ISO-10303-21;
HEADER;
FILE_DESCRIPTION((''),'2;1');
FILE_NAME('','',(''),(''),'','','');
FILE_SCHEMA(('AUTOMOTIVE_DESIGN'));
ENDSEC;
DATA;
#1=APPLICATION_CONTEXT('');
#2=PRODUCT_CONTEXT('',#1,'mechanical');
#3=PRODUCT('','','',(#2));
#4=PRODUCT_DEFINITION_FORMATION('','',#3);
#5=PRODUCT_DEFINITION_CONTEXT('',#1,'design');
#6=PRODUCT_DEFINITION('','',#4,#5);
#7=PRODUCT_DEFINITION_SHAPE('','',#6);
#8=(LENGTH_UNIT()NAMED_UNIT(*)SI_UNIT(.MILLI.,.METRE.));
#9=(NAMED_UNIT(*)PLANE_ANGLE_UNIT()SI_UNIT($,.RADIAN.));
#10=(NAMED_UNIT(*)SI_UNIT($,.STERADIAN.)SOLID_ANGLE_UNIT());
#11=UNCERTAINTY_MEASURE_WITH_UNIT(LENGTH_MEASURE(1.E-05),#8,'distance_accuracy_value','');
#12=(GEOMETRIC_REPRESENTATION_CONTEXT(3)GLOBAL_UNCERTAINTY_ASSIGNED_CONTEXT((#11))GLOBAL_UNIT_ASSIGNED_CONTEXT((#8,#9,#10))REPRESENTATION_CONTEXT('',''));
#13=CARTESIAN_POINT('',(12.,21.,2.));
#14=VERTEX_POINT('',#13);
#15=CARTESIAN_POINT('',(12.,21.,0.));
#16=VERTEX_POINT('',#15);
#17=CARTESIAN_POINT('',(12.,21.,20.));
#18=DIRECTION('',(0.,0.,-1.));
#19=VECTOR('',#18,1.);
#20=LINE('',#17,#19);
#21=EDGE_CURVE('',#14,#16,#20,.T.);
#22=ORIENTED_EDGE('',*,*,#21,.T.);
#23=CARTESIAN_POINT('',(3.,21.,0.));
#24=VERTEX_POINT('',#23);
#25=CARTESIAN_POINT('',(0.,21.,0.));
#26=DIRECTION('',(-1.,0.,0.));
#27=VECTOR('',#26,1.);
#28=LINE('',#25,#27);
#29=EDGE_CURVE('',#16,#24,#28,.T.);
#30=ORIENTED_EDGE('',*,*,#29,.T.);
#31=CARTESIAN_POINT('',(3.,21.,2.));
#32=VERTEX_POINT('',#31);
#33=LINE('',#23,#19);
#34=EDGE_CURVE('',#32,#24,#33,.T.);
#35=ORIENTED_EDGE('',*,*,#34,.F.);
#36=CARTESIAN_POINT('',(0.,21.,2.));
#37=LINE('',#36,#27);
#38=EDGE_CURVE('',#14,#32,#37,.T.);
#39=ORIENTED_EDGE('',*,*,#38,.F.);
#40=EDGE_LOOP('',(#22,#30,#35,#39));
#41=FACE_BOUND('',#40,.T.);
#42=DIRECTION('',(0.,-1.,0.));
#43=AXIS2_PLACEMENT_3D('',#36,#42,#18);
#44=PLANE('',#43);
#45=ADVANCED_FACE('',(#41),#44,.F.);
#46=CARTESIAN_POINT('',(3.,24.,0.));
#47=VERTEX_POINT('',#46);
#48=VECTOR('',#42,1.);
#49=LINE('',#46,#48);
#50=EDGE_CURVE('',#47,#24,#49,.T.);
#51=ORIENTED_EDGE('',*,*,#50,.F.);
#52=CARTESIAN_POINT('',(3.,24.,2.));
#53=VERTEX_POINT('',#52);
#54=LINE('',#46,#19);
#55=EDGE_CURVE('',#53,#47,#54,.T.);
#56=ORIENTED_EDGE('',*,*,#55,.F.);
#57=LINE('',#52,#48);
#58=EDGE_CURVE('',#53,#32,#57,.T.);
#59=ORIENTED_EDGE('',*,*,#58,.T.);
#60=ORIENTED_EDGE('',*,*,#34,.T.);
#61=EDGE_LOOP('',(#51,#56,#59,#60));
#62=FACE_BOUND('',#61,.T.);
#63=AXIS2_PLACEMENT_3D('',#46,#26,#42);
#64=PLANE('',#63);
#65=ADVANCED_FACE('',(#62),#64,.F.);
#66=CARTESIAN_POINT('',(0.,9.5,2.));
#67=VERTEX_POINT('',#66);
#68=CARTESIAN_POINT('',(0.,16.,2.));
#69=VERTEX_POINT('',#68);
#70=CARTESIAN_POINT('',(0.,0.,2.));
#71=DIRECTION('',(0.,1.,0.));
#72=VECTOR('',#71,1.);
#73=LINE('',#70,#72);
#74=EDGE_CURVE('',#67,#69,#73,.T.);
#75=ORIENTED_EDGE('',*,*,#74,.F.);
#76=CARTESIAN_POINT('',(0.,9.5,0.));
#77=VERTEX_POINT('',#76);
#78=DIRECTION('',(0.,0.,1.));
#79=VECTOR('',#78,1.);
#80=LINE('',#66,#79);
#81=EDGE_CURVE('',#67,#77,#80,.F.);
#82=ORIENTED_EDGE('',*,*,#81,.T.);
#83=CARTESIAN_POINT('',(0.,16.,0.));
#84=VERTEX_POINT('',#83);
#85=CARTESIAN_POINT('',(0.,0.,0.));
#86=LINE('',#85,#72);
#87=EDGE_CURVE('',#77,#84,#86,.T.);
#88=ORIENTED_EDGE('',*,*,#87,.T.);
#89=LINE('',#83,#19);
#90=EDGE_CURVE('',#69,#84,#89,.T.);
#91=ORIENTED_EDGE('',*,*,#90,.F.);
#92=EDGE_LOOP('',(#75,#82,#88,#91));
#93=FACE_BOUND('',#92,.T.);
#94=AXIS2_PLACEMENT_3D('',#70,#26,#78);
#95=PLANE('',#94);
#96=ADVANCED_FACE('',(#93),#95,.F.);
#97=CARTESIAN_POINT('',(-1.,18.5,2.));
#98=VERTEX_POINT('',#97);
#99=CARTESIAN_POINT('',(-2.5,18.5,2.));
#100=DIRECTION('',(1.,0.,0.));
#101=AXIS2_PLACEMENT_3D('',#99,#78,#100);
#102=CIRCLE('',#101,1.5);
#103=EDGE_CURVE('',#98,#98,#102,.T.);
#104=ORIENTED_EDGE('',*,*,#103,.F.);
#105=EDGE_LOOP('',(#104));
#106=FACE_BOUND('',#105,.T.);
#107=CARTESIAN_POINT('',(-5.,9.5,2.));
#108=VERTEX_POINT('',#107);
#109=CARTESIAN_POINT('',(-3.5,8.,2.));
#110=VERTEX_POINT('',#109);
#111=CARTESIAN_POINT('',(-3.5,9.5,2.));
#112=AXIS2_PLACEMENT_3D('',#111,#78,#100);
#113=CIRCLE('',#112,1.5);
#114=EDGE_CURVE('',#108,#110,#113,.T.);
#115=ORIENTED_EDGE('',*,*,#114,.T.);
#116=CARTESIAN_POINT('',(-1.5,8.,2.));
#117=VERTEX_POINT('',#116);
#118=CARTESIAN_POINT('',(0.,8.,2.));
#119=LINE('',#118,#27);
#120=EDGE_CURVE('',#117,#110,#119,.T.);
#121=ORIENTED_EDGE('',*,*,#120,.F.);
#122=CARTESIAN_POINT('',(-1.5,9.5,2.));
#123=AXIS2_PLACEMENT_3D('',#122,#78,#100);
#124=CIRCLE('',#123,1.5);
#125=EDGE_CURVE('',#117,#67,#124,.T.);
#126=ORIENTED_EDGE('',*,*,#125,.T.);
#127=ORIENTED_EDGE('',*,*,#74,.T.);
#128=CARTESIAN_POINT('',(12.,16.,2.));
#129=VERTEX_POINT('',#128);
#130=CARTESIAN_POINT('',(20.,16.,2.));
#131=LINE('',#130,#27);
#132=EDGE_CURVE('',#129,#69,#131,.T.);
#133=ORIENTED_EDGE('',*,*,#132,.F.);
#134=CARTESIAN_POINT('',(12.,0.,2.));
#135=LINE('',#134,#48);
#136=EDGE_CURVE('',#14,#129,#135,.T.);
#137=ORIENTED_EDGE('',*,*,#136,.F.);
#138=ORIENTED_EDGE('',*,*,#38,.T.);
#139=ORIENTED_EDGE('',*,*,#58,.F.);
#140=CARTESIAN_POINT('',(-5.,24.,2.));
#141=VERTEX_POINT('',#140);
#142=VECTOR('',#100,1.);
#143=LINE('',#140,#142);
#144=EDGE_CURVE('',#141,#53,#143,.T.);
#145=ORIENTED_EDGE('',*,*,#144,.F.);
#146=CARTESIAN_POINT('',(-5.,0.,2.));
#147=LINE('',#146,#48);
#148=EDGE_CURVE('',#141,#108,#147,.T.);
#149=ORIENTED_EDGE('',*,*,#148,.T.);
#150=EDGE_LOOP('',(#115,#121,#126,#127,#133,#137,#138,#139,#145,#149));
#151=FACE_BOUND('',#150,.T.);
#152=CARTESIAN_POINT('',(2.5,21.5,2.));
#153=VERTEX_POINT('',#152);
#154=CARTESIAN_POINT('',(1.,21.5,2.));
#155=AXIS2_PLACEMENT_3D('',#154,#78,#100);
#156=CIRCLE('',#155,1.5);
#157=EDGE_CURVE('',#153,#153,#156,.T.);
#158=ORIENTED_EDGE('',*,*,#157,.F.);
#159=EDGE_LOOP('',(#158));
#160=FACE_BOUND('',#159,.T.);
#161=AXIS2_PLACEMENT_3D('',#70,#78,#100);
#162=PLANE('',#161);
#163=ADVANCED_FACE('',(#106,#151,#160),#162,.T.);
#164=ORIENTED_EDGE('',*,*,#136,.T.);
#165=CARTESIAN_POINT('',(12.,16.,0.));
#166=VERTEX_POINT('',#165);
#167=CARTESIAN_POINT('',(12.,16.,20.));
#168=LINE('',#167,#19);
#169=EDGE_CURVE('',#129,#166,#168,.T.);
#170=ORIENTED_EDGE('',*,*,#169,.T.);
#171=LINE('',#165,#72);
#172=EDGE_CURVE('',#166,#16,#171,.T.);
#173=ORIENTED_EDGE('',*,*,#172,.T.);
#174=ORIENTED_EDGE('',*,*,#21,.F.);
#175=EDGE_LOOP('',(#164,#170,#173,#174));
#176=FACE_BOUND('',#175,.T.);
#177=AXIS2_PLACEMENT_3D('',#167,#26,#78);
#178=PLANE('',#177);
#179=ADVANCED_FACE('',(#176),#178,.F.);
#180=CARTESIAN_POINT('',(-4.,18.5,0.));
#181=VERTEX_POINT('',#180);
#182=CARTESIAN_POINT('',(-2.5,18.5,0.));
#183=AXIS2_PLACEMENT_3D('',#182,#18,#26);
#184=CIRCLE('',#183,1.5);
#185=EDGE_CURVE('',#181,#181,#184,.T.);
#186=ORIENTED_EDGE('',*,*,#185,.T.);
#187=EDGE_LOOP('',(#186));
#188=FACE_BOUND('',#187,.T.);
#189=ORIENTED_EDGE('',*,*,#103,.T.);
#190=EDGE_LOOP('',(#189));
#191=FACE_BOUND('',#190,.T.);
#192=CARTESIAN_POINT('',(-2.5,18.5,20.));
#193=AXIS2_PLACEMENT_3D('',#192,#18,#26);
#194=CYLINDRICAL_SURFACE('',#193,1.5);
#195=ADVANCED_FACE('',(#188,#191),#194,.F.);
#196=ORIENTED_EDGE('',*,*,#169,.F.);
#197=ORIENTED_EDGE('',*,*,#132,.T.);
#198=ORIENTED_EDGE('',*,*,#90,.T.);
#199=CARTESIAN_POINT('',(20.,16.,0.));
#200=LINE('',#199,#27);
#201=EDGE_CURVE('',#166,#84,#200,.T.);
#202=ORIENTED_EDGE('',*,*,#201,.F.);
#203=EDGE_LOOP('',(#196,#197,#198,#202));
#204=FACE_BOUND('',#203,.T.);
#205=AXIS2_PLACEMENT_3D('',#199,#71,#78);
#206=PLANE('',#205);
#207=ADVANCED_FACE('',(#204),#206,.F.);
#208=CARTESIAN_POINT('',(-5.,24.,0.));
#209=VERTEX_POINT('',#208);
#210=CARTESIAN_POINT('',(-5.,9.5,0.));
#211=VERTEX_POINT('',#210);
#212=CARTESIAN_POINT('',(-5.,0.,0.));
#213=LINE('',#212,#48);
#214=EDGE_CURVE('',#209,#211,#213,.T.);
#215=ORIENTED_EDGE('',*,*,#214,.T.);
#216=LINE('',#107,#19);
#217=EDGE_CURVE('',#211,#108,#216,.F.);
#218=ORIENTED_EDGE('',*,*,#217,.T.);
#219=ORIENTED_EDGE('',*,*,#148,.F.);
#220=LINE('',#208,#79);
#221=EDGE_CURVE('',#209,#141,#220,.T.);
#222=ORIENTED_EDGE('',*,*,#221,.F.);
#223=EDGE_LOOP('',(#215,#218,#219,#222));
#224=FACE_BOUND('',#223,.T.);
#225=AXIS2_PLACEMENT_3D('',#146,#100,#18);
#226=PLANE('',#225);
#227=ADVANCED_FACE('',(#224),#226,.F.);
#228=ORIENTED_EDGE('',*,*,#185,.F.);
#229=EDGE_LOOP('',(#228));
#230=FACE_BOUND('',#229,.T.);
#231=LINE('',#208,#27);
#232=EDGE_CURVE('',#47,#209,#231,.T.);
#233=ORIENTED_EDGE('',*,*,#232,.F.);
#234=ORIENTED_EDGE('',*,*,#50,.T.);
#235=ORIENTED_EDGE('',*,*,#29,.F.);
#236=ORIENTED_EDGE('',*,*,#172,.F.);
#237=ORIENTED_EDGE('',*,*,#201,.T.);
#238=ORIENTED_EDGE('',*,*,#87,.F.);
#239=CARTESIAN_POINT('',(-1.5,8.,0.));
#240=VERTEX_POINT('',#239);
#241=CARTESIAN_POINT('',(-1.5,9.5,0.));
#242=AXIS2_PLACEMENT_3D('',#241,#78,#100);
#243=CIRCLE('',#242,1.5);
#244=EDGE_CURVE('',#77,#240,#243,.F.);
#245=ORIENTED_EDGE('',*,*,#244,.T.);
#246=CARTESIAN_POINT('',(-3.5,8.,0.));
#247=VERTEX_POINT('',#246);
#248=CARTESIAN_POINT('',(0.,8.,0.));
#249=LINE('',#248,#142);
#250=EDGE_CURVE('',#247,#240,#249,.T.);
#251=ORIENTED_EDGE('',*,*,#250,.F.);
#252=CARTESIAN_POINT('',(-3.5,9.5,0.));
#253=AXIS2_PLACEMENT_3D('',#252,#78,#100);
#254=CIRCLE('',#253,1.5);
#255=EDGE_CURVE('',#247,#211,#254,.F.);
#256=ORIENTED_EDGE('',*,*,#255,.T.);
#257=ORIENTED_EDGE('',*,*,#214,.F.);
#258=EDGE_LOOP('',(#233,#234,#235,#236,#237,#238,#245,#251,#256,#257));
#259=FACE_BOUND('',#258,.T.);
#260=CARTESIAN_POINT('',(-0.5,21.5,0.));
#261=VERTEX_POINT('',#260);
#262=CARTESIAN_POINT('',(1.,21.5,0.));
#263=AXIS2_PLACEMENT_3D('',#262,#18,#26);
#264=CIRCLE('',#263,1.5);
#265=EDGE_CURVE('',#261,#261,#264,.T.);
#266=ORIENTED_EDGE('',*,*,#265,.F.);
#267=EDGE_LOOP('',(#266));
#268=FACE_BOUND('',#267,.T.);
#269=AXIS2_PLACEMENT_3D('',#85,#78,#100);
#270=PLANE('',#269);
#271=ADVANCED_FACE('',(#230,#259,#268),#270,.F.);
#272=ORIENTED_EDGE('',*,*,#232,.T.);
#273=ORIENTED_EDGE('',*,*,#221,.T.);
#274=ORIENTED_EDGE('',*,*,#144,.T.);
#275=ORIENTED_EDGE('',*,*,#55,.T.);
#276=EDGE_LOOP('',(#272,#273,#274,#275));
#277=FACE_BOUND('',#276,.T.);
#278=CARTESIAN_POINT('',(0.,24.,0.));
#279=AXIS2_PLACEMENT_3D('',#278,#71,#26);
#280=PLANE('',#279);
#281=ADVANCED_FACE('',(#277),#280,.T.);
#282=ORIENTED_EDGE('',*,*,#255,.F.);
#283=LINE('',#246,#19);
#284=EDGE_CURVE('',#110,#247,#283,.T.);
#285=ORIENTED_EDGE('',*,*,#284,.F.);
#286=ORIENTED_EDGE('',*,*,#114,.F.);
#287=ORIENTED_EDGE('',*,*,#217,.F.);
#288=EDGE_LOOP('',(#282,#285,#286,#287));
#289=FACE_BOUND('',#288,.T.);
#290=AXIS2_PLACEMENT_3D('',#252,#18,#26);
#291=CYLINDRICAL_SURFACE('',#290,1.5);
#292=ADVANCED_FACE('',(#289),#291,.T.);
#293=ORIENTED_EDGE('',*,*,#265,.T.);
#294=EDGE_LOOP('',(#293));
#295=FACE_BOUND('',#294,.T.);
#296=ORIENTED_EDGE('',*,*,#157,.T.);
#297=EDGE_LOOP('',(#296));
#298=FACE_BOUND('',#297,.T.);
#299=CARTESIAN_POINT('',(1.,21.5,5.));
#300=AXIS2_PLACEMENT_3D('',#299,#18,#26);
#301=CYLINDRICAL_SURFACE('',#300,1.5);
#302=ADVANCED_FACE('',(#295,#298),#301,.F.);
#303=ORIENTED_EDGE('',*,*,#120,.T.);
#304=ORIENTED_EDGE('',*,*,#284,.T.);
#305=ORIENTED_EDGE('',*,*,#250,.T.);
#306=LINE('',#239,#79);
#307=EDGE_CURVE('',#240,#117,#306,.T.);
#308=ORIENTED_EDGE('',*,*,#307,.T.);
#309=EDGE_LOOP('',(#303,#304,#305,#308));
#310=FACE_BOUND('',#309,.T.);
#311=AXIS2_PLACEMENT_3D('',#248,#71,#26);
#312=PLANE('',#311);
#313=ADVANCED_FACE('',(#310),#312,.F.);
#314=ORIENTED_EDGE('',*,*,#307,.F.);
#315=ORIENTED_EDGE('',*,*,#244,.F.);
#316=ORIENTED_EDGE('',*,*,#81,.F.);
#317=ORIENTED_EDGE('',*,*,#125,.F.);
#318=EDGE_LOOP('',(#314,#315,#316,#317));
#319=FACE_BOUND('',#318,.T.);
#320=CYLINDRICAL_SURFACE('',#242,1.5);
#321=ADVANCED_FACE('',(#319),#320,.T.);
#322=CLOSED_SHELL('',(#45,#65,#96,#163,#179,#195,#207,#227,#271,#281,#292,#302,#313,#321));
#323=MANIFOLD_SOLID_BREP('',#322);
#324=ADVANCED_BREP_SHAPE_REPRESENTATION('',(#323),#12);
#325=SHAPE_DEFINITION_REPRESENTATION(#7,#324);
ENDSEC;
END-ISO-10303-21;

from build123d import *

# Parameters (mm, degrees)
SKETCH_6_W          = 5
SKETCH_6_H          = 21
EXTRUDE_1_DEPTH     = 2
SKETCH_10_W         = 2
SKETCH_10_H         = 5
EXTRUDE_3_DEPTH     = 20
SKETCH_11_W         = 8
SKETCH_11_H         = 5
CUT_EXTRUDE_3_DEPTH = 20
SKETCH_12_R         = 1.5
CUT_EXTRUDE_4_DEPTH = 20
SKETCH_13_W         = 5
SKETCH_13_H         = 2
CUT_EXTRUDE_5_DEPTH = 8
FILLET_1_R          = 1.5
SKETCH_19_W         = 8
SKETCH_19_H         = 2
EXTRUDE_6_DEPTH     = 3
SKETCH_20_R         = 1.5
CUT_EXTRUDE_7_DEPTH = 5


with BuildPart() as part:
    # 草图6 → 凸台-拉伸1 (new body)
    with BuildSketch(Plane.XY):
        with Locations((-2.5, 10.5)):
            Rectangle(SKETCH_6_W, SKETCH_6_H)
    extrude(amount=EXTRUDE_1_DEPTH)

    # 草图10 → 凸台-拉伸3 (add)
    with BuildSketch(Plane(origin=(0, 0, 0), x_dir=(0, 0, -1), z_dir=(1, 0, 0))):
        with Locations((-1, 18.5)):
            Rectangle(SKETCH_10_W, SKETCH_10_H)
    extrude(amount=EXTRUDE_3_DEPTH)

    # 草图11 → 切除-拉伸3 (cut)
    with BuildSketch(Plane(origin=(0, 0, 0), x_dir=(-1, 0, 0), z_dir=(0, 0, -1))):
        with Locations((-16, 18.5)):
            Rectangle(SKETCH_11_W, SKETCH_11_H)
    extrude(amount=-CUT_EXTRUDE_3_DEPTH, mode=Mode.SUBTRACT)

    # 草图12 → 切除-拉伸4 (cut)
    with BuildSketch(Plane(origin=(0, 0, 0), x_dir=(-1, 0, 0), z_dir=(0, 0, -1))):
        with Locations((2.5, 18.5)):
            Circle(SKETCH_12_R)
    extrude(amount=-CUT_EXTRUDE_4_DEPTH, mode=Mode.SUBTRACT)

    # 草图13 → 切除-拉伸5 (cut)
    with BuildSketch(Plane.XZ):
        with Locations((-2.5, 1)):
            Rectangle(SKETCH_13_W, SKETCH_13_H)
    extrude(amount=-CUT_EXTRUDE_5_DEPTH, mode=Mode.SUBTRACT)

    # 圆角1
    fillet_1_edges = [part.edges().sort_by_distance(p)[0] for p in [
        (0, 8, 1),
        (-5, 8, 1),
    ]]
    fillet(fillet_1_edges, radius=FILLET_1_R)

    # 草图19 → 凸台-拉伸6 (add)
    with BuildSketch(Plane(origin=(0, 21, 0), x_dir=(1, 0, 0), z_dir=(0, 1, 0))):
        with Locations((-1, -1)):
            Rectangle(SKETCH_19_W, SKETCH_19_H)
    extrude(amount=EXTRUDE_6_DEPTH)

    # 草图20 → 切除-拉伸7 (cut)
    with BuildSketch(Plane(origin=(0, 0, 0), x_dir=(-1, 0, 0), z_dir=(0, 0, -1))):
        with Locations((-1, 21.5)):
            Circle(SKETCH_20_R)
    extrude(amount=-CUT_EXTRUDE_7_DEPTH, mode=Mode.SUBTRACT)


solid = part.part
